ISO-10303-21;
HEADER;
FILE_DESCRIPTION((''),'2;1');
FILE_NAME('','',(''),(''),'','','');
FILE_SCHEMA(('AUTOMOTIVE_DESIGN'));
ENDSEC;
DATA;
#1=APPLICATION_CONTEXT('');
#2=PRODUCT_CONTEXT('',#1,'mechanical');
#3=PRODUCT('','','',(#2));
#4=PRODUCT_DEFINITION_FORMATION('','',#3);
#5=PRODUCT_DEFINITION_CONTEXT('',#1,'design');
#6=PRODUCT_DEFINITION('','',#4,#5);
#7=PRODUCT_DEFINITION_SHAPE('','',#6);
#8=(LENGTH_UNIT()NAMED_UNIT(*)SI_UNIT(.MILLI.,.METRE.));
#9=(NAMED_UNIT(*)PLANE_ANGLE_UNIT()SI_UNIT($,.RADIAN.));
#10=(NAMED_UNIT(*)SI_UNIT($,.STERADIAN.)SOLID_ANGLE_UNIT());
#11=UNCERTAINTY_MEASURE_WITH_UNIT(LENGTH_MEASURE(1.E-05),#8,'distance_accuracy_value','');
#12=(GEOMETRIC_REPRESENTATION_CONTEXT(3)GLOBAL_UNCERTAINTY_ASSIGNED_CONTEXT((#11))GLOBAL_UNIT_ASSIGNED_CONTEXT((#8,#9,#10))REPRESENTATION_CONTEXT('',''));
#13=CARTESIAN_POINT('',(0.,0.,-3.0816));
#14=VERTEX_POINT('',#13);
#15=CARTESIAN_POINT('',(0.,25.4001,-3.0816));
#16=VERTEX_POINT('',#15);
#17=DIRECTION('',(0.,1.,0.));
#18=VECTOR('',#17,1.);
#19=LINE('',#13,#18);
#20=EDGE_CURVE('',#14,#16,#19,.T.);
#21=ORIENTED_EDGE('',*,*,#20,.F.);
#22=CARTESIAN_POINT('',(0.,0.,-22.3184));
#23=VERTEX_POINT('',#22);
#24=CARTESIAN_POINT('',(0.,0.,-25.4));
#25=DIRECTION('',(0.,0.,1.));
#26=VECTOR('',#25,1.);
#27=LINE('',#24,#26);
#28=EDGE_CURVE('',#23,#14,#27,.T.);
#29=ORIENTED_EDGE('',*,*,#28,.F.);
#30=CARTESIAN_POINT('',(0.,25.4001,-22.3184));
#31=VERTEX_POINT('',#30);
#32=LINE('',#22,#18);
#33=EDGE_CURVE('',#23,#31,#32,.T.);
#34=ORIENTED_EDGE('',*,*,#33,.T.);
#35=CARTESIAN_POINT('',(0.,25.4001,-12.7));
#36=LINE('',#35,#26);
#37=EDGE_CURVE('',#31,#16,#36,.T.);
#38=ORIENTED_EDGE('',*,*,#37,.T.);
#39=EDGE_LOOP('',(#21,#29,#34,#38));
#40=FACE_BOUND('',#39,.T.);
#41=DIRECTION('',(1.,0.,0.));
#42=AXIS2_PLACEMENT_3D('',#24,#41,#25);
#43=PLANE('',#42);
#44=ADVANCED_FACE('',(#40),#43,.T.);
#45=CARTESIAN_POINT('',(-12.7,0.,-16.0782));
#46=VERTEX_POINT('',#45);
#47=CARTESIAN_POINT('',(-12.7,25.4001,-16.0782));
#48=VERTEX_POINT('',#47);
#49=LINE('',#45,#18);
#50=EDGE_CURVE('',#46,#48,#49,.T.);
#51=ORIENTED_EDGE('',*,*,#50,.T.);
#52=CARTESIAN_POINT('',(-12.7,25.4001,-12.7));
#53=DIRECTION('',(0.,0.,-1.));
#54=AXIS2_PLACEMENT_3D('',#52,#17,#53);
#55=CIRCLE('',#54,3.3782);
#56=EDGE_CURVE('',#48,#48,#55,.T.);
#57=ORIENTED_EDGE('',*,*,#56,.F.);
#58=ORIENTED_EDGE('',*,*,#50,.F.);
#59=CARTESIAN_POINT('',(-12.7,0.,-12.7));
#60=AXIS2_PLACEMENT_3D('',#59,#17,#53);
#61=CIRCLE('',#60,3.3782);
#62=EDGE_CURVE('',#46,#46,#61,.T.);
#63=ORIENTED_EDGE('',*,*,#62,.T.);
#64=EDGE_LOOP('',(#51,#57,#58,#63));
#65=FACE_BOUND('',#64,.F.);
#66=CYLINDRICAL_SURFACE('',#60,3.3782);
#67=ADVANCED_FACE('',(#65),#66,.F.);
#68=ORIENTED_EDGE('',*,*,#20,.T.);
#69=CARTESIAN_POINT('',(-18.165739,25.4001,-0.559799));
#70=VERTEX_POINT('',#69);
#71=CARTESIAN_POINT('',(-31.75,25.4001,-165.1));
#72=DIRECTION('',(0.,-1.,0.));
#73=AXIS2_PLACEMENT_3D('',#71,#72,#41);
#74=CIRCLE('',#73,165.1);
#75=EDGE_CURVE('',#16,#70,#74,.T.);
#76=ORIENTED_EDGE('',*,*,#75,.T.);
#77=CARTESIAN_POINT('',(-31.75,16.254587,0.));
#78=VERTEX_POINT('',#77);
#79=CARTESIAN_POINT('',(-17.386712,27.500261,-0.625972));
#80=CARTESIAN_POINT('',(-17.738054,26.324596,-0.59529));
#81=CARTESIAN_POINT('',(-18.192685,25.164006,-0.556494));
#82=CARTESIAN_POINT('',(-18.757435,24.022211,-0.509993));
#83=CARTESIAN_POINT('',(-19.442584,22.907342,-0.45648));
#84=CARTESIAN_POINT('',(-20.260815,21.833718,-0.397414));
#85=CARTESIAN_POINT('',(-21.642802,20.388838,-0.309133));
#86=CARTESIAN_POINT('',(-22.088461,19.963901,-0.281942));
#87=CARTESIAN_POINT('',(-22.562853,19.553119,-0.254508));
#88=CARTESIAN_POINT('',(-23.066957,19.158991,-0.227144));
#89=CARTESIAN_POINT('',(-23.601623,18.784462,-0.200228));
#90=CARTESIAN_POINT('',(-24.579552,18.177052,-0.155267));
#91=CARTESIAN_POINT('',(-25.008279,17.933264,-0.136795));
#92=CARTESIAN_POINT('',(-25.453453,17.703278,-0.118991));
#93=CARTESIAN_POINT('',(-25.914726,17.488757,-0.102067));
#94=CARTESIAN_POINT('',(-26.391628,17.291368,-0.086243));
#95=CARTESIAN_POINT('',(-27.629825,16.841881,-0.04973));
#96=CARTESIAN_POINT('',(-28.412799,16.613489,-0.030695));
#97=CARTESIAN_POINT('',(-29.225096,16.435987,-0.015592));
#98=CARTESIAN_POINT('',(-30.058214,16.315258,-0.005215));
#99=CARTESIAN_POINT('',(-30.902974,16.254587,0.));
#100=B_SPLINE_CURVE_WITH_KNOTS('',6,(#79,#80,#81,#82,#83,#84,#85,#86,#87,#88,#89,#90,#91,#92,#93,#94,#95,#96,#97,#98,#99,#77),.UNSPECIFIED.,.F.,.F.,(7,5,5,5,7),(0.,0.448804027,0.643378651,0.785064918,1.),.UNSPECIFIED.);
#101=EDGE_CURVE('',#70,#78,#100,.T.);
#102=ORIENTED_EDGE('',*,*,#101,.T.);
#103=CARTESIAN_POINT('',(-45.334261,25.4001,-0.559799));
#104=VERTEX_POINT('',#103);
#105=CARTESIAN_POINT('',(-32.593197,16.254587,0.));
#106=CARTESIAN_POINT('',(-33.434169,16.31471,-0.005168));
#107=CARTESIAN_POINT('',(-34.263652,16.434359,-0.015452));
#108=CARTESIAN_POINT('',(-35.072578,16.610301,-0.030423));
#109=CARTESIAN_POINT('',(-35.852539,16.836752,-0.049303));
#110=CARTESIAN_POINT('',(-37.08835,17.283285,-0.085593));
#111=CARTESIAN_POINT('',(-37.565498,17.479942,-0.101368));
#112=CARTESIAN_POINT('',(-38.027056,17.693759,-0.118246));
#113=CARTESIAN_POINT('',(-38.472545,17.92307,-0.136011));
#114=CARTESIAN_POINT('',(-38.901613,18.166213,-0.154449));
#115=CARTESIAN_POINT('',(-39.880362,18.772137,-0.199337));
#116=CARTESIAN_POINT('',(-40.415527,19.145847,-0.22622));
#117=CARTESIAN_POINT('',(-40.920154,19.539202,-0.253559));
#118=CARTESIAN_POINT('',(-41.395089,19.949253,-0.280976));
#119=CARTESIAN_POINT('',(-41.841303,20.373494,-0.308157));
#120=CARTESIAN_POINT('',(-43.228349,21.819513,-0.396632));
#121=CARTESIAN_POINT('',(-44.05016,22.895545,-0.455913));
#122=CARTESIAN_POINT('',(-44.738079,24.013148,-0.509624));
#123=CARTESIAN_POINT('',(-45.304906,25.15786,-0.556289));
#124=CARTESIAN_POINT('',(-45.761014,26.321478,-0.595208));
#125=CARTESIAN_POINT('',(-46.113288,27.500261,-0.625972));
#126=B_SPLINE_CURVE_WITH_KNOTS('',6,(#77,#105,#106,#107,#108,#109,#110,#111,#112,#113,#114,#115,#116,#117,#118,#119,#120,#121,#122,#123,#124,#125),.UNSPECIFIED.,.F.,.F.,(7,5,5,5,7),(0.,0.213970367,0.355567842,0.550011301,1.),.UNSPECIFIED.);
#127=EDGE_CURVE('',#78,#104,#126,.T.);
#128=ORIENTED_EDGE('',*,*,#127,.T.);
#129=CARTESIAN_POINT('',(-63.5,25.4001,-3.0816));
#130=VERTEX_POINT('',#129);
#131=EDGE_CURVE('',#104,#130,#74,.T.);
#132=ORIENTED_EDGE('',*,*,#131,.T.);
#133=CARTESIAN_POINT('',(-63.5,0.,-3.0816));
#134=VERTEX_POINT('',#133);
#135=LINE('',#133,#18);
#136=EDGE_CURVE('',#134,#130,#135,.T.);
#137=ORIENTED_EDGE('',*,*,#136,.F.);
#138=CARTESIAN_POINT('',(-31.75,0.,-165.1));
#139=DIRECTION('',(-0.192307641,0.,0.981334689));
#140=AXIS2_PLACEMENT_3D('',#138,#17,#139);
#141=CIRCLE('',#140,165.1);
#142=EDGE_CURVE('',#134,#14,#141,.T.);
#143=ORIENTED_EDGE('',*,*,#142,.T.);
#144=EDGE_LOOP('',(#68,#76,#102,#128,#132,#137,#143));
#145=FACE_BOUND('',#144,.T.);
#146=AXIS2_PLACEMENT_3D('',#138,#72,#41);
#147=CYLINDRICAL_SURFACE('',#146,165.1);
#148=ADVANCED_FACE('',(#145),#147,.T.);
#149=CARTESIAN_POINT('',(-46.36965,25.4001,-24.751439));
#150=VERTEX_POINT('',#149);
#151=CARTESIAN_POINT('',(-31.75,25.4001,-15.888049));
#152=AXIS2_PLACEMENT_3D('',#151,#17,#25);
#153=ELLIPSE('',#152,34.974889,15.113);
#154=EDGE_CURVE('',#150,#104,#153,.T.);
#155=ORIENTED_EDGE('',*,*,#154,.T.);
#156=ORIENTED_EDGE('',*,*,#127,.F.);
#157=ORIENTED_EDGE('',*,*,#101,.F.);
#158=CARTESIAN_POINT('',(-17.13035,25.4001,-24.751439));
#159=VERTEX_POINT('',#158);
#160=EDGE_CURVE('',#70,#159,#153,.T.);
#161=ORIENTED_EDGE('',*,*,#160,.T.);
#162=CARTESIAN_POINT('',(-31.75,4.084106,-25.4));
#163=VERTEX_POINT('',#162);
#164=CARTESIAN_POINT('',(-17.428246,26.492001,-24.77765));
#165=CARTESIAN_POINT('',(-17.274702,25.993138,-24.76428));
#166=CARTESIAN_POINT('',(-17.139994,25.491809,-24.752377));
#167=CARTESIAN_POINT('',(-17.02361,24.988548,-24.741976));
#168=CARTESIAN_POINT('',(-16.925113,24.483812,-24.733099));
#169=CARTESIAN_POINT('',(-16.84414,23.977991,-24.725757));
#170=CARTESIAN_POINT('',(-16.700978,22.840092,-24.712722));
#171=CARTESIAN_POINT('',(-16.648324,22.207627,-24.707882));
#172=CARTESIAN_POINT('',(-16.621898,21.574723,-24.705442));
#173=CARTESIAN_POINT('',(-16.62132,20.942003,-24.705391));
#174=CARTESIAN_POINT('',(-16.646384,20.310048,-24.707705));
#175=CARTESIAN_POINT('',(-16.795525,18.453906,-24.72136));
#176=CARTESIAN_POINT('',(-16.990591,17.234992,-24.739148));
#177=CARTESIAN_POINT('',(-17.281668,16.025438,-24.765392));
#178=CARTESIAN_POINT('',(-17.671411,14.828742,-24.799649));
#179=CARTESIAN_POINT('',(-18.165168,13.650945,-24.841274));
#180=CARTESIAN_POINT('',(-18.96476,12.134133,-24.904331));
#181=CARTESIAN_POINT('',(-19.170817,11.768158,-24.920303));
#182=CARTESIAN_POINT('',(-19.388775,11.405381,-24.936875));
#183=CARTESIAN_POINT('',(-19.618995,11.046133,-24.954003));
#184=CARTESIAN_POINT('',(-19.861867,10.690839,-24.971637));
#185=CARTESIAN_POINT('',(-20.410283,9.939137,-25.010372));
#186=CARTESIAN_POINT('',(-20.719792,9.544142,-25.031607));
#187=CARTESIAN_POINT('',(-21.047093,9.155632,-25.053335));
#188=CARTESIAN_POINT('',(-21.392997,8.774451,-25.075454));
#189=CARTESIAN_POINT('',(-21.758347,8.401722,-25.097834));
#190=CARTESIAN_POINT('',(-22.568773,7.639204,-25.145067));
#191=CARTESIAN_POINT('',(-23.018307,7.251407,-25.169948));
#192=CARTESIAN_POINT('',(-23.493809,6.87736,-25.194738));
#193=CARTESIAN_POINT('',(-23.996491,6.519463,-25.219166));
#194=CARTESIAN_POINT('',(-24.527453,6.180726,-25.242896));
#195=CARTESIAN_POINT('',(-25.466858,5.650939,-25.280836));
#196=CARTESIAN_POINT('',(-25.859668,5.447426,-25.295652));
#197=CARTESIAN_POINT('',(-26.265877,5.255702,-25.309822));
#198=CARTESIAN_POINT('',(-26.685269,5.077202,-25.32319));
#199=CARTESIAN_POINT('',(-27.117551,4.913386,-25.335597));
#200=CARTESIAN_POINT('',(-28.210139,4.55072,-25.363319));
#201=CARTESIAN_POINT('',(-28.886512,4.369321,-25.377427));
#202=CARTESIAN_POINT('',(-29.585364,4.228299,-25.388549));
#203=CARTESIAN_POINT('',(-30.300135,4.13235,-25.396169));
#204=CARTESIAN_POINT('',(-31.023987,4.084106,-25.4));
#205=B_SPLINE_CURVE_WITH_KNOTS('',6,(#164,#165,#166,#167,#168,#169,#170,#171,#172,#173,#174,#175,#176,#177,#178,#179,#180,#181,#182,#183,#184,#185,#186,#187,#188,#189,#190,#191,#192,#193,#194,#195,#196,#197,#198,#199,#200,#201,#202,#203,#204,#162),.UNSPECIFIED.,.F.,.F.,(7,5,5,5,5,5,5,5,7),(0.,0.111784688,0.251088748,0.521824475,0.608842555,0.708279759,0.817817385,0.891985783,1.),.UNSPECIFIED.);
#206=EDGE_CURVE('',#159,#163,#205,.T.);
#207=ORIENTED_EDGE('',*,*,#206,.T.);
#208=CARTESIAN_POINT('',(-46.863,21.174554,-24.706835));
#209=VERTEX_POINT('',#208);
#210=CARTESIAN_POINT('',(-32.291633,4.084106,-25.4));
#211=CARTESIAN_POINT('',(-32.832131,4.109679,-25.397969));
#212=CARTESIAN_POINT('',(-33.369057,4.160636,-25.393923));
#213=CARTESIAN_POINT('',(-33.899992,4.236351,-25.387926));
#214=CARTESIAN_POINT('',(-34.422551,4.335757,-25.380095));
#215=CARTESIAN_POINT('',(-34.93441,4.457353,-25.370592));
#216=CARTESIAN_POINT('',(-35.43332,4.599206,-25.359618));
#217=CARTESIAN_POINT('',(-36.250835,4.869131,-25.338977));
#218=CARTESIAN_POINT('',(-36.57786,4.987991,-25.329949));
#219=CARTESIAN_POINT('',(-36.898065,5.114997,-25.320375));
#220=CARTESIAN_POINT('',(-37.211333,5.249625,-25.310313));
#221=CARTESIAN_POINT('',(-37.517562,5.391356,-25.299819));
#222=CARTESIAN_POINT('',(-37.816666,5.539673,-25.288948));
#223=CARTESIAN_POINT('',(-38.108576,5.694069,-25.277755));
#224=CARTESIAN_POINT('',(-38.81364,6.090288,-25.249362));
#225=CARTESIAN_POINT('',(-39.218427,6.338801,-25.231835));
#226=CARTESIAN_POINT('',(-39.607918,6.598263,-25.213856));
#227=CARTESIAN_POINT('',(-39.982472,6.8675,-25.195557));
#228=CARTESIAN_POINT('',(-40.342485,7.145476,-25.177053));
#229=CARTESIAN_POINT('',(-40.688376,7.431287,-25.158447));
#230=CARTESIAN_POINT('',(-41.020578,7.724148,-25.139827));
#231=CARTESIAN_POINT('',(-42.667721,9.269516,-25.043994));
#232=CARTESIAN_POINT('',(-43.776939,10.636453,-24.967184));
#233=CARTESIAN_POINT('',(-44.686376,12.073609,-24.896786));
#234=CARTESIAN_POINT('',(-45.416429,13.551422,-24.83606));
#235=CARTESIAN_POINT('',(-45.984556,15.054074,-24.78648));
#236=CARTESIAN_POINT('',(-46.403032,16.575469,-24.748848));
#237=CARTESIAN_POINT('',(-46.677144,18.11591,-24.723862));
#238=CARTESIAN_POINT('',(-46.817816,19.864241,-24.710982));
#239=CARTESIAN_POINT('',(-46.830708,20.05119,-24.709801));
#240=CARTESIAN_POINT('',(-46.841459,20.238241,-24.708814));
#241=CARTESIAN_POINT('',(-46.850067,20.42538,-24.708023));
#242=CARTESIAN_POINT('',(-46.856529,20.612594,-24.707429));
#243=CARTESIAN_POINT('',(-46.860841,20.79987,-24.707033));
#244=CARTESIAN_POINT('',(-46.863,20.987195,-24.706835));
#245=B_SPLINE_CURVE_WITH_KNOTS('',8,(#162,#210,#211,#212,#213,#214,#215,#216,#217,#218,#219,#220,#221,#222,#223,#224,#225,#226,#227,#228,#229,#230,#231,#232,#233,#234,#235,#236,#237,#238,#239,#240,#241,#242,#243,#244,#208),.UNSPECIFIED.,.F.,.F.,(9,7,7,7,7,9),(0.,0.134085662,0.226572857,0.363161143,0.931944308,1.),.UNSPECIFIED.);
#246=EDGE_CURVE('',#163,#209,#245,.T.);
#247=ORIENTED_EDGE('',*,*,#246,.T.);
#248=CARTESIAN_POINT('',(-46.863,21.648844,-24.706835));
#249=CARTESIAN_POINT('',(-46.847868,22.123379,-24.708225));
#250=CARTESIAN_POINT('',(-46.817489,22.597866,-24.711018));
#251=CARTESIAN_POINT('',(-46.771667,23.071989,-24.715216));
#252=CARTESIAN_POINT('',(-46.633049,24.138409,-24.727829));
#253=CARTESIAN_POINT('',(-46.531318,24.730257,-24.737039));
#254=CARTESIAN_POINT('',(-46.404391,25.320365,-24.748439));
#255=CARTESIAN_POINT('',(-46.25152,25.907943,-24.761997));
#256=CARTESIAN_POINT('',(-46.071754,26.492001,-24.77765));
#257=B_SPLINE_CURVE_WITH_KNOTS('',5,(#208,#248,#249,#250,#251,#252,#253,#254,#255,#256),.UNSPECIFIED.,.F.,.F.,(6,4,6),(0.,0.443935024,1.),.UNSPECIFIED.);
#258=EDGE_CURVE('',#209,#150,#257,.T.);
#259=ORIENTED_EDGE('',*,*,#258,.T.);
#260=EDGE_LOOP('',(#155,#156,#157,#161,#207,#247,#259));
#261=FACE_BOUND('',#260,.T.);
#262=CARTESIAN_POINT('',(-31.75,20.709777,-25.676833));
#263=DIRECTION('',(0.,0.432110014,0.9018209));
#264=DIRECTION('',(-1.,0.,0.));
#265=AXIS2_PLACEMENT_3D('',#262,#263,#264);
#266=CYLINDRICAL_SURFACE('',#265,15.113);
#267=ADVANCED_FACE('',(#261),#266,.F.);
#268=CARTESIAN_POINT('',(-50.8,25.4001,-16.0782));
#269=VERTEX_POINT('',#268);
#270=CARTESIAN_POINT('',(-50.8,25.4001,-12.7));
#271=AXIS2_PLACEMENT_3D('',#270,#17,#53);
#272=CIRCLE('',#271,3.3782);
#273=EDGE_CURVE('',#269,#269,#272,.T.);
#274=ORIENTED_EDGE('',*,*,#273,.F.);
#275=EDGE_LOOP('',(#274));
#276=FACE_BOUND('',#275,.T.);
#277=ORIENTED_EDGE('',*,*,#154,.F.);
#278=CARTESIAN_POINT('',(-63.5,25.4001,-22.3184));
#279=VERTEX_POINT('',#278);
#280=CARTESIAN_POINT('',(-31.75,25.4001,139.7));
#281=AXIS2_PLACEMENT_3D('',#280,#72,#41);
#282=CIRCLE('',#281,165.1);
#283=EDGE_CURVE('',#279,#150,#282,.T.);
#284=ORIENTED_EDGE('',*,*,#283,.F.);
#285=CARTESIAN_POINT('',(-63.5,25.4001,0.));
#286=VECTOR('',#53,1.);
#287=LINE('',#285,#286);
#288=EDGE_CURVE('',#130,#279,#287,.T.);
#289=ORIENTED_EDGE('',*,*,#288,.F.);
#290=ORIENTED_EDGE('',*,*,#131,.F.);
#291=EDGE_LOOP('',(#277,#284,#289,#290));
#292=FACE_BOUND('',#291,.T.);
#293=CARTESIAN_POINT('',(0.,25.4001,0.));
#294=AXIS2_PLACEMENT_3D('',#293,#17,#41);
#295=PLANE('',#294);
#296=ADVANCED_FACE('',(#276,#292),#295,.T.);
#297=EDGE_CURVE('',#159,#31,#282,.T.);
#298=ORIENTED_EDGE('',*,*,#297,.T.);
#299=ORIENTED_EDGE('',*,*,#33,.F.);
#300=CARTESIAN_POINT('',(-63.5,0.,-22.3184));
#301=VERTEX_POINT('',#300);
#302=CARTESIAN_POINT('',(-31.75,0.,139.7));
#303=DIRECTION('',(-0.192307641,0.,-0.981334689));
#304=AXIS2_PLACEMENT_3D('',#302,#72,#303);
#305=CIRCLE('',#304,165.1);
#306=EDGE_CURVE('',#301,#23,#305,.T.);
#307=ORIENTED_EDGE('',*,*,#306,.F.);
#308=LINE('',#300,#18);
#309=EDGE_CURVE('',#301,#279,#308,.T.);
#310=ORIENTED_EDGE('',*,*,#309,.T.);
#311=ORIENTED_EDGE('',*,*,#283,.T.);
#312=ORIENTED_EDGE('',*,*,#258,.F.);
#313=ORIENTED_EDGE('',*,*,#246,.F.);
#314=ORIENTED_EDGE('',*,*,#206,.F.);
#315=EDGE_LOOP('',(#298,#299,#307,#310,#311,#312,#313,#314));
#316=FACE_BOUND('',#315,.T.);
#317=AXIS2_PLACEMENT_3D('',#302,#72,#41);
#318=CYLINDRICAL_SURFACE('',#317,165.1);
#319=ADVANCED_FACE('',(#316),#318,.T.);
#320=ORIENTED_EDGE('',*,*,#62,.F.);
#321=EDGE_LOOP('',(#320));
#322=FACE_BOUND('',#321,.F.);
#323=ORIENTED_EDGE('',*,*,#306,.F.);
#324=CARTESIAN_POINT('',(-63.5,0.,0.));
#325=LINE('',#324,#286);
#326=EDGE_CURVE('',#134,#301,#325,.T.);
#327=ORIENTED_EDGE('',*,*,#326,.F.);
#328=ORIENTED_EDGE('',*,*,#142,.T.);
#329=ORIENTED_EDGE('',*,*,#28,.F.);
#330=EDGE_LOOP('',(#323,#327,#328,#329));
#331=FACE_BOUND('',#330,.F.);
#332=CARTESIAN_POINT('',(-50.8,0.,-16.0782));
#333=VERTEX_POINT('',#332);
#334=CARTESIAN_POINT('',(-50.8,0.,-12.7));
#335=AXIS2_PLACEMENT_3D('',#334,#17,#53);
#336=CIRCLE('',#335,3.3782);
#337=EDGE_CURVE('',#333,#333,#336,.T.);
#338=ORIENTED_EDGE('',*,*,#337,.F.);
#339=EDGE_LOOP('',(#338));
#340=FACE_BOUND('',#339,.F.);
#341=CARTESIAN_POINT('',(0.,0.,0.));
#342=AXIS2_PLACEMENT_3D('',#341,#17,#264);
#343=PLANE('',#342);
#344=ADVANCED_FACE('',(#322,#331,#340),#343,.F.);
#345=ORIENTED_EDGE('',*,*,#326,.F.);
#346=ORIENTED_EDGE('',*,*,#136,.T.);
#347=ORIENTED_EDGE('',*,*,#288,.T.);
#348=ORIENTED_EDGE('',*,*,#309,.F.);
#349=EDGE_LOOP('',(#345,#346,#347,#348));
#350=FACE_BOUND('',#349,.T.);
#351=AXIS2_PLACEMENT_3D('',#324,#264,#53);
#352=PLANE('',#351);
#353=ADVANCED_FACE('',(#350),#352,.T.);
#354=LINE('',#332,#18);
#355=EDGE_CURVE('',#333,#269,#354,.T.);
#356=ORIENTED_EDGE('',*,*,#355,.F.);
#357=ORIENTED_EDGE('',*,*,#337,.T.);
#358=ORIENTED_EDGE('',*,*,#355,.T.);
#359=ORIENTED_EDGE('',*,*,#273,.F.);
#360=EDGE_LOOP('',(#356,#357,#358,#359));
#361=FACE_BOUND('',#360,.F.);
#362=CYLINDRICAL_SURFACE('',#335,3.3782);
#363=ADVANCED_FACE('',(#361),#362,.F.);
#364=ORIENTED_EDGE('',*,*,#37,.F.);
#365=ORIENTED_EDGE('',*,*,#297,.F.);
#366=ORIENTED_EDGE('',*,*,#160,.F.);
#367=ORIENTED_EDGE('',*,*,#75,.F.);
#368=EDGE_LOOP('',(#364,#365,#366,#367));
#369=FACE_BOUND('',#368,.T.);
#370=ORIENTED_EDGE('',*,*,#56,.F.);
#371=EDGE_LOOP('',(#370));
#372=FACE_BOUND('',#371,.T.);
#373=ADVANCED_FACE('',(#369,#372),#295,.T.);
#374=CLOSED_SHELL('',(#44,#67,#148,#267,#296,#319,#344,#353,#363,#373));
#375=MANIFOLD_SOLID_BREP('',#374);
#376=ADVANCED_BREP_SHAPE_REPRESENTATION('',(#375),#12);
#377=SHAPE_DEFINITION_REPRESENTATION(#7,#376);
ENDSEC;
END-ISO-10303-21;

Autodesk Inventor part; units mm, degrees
ref_plane "YZ Plane" through (0, 0, 0) normal (1, 0, 0) x (0, 1, 0)
ref_plane "XZ Plane" through (0, 0, 0) normal (0, 1, 0) x (-1, 0, 0)
ref_plane "XY Plane" through (0, 0, 0) normal (0, 0, 1) x (1, 0, 0)
sketch "Sketch1" plane through (0, 0, 0) normal (0, 1, 0) x (-1, 0, 0)
  line L0 (0, 0) -> (63.5, 0)
  line L1 (63.5, 0) -> (63.5, -25.4)
  line L2 (63.5, -25.4) -> (0, -25.4)
  line L3 (0, -25.4) -> (0, 0)
  dimension "d0" = 63.5
  dimension "d1" = 25.4
extrude "Extrusion1" add sketch "Sketch1" along normal blind 26.1938
sketch "Sketch2" plane through (0, 0, 0) normal (0, -1, 0) x (1, 0, 0)
  line L0 (-63.5, 0) -> (0, 0) projected
  line L1 (-31.75, 0) -> (-31.75, -25.4) construction
  line L2 (0, -25.4) -> (-63.5, -25.4) projected
  circle A0 centre (-50.8, -12.7) radius 4.7004
  circle A1 centre (-12.7, -12.7) radius 4.7004
  dimension "d4" = 19.05
  dimension "d5" = 12.7
hole "Hole1" at (-12.7, 0, -12.7) at (-50.8, 0, -12.7) direction (0, 1, 0) diameter 6.7564 end through all clearance for "Flat Head Machine Screw (82)" size "1/4" standard "Ansi Unified Screw Threads"
ref_plane "Work Plane6" through (-63.5, 25.0611, -27.764) normal (0, -0.4321, -0.9018) x (-1, 0, 0)
ref_plane "Work Plane5" through (-63.5, 26.1938, -25.4) normal (0, -0.4321, -0.9018) x (-1, 0, 0)
sketch "Sketch10" plane through (-63.5, 25.0611, -27.764) normal (0, -0.4321, -0.9018) x (-1, 0, 0)
  circle A0 centre (-31.75, -4.826) radius 15.113
  line L0 (-63.5, 0) -> (0, 0) projected
  point P0 (-63.5, -34.5974)
  dimension "d50" = 30.226
  dimension "d51" = 4.826
extrude "Extrusion9" cut sketch "Sketch10" along normal mid plane 76.2
sketch "Sketch6" plane through (0, 0, 0) normal (0, -1, 0) x (1, 0, 0)
  line L0 (0, 0) -> (-63.5, 0) projected
  circle A0 centre (-31.75, -165.1) radius 165.1
  line L1 (-63.5, -25.4) -> (-63.5, 0) projected
  line L2 (-63.5, 0) -> (-63.5, -3.0816)
  line L3 (0, 0) -> (0, -3.0816)
  line L4 (0, 0) -> (0, -25.4) projected
  dimension "d28" = 330.2
  dimension "d29" = 165.1
extrude "Extrusion5" cut sketch "Sketch6" against normal blind 50.8 contours L3 A0 L0 | A0 L1 L0
sketch "Sketch7" plane through (0, 0, 0) normal (0, -1, 0) x (1, 0, 0)
  line L0 (-63.5, -25.4) -> (0, -25.4) construction
  line L1 (-31.75, -25.4) -> (-31.75, 139.7) construction
  line L2 (-31.75, -25.4) -> (133.35, -25.4) construction
  circle A0 centre (-31.75, 139.7) radius 165.1
  line L3 (0, 0) -> (0, -25.4) projected
  line L4 (0, -22.3184) -> (0, -25.4)
  line L5 (0, -25.4) -> (-63.5, -25.4)
  line L6 (-63.5, -25.4) -> (-63.5, -22.3184)
  line L7 (-63.5, -25.4) -> (-63.5, 0) projected
  point P0 (0, -3.0816)
  point P1 (-63.5, -3.0816)
  dimension "d32" = 165.1
  dimension "d33" = 90
extrude "Extrusion6" cut sketch "Sketch7" against normal blind 50.8 contours A0 L5 L6 | L3 L5 A0
sketch "Sketch11" plane through (0, 26.1938, 0) normal (0, 1, 0) x (1, 0, 0)
  line L0 (8.9616, -13.4203) -> (-66.3152, -13.4203)
  line L1 (-66.3152, -13.4203) -> (-66.3152, 46.0555)
  line L2 (-66.3152, 46.0555) -> (8.9616, 46.0555)
  line L3 (8.9616, 46.0555) -> (8.9616, -13.4203)
  point P0 (0, 0)
extrude "Extrusion10" cut sketch "Sketch11" against normal blind 0.7937
properties part number "wedgeBlock"
